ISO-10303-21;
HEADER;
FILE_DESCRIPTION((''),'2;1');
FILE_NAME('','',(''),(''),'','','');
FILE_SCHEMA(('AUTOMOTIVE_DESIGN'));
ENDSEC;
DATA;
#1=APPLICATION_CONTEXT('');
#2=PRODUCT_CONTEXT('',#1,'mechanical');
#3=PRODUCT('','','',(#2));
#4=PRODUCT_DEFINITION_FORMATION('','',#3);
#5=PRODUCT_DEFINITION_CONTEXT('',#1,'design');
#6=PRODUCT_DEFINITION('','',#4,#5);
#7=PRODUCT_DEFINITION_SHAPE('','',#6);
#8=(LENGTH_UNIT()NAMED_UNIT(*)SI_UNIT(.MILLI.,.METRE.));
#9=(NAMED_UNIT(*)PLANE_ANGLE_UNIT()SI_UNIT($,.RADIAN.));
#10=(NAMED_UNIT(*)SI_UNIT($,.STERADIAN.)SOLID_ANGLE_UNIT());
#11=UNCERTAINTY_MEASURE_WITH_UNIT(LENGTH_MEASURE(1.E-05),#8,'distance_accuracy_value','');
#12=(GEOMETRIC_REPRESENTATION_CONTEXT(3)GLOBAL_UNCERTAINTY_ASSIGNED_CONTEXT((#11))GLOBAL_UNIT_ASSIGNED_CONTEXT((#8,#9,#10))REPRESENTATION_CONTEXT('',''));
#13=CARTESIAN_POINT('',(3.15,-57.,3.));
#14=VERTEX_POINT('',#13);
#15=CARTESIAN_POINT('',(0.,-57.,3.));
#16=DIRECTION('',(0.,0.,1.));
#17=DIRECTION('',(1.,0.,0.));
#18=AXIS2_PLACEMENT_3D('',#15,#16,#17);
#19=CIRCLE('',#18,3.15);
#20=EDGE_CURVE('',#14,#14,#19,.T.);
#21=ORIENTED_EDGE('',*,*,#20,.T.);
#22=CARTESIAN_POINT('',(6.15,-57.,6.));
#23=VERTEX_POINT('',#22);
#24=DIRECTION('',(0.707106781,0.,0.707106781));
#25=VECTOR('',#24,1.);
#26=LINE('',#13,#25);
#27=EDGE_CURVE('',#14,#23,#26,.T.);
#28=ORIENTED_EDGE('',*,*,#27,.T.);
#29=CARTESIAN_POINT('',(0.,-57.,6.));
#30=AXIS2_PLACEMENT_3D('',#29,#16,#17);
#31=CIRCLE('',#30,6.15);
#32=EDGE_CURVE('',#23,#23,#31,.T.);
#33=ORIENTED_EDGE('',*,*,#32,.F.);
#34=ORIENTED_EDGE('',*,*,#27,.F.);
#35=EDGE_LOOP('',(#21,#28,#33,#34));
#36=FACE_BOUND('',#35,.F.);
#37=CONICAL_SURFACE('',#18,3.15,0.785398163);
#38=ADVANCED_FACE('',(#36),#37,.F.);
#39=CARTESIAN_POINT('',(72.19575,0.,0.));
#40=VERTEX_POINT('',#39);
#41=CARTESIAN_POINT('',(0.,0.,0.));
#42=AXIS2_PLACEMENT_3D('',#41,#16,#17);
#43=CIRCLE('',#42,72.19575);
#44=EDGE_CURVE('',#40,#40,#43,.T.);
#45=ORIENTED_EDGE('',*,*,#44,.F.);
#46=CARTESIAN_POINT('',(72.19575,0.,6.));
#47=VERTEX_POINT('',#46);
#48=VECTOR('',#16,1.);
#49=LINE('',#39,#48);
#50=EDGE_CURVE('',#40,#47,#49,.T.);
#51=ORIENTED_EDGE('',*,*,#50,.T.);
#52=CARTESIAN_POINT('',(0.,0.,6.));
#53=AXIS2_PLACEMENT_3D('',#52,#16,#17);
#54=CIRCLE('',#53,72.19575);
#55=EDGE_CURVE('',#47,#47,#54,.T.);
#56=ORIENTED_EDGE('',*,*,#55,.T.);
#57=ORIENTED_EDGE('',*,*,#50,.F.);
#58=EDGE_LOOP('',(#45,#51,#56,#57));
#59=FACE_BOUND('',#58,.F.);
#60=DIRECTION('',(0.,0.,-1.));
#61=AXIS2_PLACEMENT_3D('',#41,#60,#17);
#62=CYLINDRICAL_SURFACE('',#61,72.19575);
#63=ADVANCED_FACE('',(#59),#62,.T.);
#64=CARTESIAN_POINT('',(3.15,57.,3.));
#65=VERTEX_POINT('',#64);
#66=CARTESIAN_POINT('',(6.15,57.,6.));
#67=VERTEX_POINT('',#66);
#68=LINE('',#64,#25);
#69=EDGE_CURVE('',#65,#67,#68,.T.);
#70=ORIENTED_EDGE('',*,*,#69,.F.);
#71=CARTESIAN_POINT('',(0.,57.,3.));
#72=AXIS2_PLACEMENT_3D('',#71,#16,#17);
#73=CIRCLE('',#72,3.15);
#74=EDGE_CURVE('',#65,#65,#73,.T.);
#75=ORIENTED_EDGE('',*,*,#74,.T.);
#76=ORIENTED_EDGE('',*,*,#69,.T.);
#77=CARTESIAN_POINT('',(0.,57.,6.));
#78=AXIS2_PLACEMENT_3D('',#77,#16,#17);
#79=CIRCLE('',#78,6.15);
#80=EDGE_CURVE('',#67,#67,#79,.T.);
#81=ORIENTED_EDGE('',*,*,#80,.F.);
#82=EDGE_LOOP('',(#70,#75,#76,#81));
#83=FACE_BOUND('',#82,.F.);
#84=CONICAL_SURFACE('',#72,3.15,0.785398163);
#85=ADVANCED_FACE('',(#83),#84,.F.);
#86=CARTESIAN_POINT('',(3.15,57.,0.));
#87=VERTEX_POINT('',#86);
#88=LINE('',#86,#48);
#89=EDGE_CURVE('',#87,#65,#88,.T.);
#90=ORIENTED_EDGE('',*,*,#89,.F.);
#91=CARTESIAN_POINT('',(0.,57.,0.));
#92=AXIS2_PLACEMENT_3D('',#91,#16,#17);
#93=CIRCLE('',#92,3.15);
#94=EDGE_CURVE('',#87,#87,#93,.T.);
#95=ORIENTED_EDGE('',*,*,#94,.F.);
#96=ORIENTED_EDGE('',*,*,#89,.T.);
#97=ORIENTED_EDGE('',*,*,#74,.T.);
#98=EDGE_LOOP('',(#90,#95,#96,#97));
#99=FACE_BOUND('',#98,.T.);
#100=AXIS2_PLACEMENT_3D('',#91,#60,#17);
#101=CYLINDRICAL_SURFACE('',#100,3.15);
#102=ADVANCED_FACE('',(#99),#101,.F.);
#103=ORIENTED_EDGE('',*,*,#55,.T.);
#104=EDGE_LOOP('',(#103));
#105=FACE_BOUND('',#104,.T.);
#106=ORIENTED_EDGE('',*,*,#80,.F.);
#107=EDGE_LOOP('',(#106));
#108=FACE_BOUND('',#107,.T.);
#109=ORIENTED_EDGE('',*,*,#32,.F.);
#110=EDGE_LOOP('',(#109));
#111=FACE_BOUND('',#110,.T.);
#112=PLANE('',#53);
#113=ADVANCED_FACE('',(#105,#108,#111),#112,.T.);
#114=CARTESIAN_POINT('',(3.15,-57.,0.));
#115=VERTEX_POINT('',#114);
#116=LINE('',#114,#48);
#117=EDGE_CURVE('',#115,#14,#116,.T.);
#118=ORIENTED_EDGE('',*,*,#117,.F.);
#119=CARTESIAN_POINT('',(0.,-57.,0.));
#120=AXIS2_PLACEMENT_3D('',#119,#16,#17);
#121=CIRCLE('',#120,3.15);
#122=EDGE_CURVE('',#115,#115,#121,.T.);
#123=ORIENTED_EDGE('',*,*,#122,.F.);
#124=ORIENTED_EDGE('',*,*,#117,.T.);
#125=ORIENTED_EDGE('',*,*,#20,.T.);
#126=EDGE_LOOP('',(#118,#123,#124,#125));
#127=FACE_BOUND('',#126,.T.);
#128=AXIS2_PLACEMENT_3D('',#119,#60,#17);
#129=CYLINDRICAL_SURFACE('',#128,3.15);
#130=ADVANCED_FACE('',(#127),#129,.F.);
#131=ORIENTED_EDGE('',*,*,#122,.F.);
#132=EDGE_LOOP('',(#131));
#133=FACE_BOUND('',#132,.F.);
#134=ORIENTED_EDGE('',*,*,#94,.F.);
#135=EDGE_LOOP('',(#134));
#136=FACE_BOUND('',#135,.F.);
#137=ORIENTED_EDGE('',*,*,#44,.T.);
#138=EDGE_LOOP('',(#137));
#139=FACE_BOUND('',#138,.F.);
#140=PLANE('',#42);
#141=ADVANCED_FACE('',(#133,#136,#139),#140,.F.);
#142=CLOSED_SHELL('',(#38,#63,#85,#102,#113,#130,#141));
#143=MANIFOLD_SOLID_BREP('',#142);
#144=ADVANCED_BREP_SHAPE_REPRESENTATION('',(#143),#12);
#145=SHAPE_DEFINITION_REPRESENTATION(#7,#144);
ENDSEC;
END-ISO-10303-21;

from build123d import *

# Parameters (mm, degrees)
F0_R     = 24.06525
F0_R_2   = 1.05
F1_DEPTH = 2
F2_SIZE  = 1
F3_SCALE = 3


with BuildPart() as f1:
    # F0 (on Top) → F1 (new body)
    with BuildSketch(Plane.XY):
        Circle(F0_R)
        with Locations((0, -19)):
            Circle(F0_R_2, mode=Mode.SUBTRACT)
        with Locations((0, 19)):
            Circle(F0_R_2, mode=Mode.SUBTRACT)
    extrude(amount=F1_DEPTH)

    # F2
    f2_edges = [f1.edges().sort_by_distance(p)[0] for p in [
        (-1.05, 19, 2),
        (-1.05, -19, 2),
    ]]
    chamfer(f2_edges, length=F2_SIZE)


with BuildPart() as f1_1:
    # F3: moved
    add(f1.part.scale(F3_SCALE))


solid = f1_1.part
